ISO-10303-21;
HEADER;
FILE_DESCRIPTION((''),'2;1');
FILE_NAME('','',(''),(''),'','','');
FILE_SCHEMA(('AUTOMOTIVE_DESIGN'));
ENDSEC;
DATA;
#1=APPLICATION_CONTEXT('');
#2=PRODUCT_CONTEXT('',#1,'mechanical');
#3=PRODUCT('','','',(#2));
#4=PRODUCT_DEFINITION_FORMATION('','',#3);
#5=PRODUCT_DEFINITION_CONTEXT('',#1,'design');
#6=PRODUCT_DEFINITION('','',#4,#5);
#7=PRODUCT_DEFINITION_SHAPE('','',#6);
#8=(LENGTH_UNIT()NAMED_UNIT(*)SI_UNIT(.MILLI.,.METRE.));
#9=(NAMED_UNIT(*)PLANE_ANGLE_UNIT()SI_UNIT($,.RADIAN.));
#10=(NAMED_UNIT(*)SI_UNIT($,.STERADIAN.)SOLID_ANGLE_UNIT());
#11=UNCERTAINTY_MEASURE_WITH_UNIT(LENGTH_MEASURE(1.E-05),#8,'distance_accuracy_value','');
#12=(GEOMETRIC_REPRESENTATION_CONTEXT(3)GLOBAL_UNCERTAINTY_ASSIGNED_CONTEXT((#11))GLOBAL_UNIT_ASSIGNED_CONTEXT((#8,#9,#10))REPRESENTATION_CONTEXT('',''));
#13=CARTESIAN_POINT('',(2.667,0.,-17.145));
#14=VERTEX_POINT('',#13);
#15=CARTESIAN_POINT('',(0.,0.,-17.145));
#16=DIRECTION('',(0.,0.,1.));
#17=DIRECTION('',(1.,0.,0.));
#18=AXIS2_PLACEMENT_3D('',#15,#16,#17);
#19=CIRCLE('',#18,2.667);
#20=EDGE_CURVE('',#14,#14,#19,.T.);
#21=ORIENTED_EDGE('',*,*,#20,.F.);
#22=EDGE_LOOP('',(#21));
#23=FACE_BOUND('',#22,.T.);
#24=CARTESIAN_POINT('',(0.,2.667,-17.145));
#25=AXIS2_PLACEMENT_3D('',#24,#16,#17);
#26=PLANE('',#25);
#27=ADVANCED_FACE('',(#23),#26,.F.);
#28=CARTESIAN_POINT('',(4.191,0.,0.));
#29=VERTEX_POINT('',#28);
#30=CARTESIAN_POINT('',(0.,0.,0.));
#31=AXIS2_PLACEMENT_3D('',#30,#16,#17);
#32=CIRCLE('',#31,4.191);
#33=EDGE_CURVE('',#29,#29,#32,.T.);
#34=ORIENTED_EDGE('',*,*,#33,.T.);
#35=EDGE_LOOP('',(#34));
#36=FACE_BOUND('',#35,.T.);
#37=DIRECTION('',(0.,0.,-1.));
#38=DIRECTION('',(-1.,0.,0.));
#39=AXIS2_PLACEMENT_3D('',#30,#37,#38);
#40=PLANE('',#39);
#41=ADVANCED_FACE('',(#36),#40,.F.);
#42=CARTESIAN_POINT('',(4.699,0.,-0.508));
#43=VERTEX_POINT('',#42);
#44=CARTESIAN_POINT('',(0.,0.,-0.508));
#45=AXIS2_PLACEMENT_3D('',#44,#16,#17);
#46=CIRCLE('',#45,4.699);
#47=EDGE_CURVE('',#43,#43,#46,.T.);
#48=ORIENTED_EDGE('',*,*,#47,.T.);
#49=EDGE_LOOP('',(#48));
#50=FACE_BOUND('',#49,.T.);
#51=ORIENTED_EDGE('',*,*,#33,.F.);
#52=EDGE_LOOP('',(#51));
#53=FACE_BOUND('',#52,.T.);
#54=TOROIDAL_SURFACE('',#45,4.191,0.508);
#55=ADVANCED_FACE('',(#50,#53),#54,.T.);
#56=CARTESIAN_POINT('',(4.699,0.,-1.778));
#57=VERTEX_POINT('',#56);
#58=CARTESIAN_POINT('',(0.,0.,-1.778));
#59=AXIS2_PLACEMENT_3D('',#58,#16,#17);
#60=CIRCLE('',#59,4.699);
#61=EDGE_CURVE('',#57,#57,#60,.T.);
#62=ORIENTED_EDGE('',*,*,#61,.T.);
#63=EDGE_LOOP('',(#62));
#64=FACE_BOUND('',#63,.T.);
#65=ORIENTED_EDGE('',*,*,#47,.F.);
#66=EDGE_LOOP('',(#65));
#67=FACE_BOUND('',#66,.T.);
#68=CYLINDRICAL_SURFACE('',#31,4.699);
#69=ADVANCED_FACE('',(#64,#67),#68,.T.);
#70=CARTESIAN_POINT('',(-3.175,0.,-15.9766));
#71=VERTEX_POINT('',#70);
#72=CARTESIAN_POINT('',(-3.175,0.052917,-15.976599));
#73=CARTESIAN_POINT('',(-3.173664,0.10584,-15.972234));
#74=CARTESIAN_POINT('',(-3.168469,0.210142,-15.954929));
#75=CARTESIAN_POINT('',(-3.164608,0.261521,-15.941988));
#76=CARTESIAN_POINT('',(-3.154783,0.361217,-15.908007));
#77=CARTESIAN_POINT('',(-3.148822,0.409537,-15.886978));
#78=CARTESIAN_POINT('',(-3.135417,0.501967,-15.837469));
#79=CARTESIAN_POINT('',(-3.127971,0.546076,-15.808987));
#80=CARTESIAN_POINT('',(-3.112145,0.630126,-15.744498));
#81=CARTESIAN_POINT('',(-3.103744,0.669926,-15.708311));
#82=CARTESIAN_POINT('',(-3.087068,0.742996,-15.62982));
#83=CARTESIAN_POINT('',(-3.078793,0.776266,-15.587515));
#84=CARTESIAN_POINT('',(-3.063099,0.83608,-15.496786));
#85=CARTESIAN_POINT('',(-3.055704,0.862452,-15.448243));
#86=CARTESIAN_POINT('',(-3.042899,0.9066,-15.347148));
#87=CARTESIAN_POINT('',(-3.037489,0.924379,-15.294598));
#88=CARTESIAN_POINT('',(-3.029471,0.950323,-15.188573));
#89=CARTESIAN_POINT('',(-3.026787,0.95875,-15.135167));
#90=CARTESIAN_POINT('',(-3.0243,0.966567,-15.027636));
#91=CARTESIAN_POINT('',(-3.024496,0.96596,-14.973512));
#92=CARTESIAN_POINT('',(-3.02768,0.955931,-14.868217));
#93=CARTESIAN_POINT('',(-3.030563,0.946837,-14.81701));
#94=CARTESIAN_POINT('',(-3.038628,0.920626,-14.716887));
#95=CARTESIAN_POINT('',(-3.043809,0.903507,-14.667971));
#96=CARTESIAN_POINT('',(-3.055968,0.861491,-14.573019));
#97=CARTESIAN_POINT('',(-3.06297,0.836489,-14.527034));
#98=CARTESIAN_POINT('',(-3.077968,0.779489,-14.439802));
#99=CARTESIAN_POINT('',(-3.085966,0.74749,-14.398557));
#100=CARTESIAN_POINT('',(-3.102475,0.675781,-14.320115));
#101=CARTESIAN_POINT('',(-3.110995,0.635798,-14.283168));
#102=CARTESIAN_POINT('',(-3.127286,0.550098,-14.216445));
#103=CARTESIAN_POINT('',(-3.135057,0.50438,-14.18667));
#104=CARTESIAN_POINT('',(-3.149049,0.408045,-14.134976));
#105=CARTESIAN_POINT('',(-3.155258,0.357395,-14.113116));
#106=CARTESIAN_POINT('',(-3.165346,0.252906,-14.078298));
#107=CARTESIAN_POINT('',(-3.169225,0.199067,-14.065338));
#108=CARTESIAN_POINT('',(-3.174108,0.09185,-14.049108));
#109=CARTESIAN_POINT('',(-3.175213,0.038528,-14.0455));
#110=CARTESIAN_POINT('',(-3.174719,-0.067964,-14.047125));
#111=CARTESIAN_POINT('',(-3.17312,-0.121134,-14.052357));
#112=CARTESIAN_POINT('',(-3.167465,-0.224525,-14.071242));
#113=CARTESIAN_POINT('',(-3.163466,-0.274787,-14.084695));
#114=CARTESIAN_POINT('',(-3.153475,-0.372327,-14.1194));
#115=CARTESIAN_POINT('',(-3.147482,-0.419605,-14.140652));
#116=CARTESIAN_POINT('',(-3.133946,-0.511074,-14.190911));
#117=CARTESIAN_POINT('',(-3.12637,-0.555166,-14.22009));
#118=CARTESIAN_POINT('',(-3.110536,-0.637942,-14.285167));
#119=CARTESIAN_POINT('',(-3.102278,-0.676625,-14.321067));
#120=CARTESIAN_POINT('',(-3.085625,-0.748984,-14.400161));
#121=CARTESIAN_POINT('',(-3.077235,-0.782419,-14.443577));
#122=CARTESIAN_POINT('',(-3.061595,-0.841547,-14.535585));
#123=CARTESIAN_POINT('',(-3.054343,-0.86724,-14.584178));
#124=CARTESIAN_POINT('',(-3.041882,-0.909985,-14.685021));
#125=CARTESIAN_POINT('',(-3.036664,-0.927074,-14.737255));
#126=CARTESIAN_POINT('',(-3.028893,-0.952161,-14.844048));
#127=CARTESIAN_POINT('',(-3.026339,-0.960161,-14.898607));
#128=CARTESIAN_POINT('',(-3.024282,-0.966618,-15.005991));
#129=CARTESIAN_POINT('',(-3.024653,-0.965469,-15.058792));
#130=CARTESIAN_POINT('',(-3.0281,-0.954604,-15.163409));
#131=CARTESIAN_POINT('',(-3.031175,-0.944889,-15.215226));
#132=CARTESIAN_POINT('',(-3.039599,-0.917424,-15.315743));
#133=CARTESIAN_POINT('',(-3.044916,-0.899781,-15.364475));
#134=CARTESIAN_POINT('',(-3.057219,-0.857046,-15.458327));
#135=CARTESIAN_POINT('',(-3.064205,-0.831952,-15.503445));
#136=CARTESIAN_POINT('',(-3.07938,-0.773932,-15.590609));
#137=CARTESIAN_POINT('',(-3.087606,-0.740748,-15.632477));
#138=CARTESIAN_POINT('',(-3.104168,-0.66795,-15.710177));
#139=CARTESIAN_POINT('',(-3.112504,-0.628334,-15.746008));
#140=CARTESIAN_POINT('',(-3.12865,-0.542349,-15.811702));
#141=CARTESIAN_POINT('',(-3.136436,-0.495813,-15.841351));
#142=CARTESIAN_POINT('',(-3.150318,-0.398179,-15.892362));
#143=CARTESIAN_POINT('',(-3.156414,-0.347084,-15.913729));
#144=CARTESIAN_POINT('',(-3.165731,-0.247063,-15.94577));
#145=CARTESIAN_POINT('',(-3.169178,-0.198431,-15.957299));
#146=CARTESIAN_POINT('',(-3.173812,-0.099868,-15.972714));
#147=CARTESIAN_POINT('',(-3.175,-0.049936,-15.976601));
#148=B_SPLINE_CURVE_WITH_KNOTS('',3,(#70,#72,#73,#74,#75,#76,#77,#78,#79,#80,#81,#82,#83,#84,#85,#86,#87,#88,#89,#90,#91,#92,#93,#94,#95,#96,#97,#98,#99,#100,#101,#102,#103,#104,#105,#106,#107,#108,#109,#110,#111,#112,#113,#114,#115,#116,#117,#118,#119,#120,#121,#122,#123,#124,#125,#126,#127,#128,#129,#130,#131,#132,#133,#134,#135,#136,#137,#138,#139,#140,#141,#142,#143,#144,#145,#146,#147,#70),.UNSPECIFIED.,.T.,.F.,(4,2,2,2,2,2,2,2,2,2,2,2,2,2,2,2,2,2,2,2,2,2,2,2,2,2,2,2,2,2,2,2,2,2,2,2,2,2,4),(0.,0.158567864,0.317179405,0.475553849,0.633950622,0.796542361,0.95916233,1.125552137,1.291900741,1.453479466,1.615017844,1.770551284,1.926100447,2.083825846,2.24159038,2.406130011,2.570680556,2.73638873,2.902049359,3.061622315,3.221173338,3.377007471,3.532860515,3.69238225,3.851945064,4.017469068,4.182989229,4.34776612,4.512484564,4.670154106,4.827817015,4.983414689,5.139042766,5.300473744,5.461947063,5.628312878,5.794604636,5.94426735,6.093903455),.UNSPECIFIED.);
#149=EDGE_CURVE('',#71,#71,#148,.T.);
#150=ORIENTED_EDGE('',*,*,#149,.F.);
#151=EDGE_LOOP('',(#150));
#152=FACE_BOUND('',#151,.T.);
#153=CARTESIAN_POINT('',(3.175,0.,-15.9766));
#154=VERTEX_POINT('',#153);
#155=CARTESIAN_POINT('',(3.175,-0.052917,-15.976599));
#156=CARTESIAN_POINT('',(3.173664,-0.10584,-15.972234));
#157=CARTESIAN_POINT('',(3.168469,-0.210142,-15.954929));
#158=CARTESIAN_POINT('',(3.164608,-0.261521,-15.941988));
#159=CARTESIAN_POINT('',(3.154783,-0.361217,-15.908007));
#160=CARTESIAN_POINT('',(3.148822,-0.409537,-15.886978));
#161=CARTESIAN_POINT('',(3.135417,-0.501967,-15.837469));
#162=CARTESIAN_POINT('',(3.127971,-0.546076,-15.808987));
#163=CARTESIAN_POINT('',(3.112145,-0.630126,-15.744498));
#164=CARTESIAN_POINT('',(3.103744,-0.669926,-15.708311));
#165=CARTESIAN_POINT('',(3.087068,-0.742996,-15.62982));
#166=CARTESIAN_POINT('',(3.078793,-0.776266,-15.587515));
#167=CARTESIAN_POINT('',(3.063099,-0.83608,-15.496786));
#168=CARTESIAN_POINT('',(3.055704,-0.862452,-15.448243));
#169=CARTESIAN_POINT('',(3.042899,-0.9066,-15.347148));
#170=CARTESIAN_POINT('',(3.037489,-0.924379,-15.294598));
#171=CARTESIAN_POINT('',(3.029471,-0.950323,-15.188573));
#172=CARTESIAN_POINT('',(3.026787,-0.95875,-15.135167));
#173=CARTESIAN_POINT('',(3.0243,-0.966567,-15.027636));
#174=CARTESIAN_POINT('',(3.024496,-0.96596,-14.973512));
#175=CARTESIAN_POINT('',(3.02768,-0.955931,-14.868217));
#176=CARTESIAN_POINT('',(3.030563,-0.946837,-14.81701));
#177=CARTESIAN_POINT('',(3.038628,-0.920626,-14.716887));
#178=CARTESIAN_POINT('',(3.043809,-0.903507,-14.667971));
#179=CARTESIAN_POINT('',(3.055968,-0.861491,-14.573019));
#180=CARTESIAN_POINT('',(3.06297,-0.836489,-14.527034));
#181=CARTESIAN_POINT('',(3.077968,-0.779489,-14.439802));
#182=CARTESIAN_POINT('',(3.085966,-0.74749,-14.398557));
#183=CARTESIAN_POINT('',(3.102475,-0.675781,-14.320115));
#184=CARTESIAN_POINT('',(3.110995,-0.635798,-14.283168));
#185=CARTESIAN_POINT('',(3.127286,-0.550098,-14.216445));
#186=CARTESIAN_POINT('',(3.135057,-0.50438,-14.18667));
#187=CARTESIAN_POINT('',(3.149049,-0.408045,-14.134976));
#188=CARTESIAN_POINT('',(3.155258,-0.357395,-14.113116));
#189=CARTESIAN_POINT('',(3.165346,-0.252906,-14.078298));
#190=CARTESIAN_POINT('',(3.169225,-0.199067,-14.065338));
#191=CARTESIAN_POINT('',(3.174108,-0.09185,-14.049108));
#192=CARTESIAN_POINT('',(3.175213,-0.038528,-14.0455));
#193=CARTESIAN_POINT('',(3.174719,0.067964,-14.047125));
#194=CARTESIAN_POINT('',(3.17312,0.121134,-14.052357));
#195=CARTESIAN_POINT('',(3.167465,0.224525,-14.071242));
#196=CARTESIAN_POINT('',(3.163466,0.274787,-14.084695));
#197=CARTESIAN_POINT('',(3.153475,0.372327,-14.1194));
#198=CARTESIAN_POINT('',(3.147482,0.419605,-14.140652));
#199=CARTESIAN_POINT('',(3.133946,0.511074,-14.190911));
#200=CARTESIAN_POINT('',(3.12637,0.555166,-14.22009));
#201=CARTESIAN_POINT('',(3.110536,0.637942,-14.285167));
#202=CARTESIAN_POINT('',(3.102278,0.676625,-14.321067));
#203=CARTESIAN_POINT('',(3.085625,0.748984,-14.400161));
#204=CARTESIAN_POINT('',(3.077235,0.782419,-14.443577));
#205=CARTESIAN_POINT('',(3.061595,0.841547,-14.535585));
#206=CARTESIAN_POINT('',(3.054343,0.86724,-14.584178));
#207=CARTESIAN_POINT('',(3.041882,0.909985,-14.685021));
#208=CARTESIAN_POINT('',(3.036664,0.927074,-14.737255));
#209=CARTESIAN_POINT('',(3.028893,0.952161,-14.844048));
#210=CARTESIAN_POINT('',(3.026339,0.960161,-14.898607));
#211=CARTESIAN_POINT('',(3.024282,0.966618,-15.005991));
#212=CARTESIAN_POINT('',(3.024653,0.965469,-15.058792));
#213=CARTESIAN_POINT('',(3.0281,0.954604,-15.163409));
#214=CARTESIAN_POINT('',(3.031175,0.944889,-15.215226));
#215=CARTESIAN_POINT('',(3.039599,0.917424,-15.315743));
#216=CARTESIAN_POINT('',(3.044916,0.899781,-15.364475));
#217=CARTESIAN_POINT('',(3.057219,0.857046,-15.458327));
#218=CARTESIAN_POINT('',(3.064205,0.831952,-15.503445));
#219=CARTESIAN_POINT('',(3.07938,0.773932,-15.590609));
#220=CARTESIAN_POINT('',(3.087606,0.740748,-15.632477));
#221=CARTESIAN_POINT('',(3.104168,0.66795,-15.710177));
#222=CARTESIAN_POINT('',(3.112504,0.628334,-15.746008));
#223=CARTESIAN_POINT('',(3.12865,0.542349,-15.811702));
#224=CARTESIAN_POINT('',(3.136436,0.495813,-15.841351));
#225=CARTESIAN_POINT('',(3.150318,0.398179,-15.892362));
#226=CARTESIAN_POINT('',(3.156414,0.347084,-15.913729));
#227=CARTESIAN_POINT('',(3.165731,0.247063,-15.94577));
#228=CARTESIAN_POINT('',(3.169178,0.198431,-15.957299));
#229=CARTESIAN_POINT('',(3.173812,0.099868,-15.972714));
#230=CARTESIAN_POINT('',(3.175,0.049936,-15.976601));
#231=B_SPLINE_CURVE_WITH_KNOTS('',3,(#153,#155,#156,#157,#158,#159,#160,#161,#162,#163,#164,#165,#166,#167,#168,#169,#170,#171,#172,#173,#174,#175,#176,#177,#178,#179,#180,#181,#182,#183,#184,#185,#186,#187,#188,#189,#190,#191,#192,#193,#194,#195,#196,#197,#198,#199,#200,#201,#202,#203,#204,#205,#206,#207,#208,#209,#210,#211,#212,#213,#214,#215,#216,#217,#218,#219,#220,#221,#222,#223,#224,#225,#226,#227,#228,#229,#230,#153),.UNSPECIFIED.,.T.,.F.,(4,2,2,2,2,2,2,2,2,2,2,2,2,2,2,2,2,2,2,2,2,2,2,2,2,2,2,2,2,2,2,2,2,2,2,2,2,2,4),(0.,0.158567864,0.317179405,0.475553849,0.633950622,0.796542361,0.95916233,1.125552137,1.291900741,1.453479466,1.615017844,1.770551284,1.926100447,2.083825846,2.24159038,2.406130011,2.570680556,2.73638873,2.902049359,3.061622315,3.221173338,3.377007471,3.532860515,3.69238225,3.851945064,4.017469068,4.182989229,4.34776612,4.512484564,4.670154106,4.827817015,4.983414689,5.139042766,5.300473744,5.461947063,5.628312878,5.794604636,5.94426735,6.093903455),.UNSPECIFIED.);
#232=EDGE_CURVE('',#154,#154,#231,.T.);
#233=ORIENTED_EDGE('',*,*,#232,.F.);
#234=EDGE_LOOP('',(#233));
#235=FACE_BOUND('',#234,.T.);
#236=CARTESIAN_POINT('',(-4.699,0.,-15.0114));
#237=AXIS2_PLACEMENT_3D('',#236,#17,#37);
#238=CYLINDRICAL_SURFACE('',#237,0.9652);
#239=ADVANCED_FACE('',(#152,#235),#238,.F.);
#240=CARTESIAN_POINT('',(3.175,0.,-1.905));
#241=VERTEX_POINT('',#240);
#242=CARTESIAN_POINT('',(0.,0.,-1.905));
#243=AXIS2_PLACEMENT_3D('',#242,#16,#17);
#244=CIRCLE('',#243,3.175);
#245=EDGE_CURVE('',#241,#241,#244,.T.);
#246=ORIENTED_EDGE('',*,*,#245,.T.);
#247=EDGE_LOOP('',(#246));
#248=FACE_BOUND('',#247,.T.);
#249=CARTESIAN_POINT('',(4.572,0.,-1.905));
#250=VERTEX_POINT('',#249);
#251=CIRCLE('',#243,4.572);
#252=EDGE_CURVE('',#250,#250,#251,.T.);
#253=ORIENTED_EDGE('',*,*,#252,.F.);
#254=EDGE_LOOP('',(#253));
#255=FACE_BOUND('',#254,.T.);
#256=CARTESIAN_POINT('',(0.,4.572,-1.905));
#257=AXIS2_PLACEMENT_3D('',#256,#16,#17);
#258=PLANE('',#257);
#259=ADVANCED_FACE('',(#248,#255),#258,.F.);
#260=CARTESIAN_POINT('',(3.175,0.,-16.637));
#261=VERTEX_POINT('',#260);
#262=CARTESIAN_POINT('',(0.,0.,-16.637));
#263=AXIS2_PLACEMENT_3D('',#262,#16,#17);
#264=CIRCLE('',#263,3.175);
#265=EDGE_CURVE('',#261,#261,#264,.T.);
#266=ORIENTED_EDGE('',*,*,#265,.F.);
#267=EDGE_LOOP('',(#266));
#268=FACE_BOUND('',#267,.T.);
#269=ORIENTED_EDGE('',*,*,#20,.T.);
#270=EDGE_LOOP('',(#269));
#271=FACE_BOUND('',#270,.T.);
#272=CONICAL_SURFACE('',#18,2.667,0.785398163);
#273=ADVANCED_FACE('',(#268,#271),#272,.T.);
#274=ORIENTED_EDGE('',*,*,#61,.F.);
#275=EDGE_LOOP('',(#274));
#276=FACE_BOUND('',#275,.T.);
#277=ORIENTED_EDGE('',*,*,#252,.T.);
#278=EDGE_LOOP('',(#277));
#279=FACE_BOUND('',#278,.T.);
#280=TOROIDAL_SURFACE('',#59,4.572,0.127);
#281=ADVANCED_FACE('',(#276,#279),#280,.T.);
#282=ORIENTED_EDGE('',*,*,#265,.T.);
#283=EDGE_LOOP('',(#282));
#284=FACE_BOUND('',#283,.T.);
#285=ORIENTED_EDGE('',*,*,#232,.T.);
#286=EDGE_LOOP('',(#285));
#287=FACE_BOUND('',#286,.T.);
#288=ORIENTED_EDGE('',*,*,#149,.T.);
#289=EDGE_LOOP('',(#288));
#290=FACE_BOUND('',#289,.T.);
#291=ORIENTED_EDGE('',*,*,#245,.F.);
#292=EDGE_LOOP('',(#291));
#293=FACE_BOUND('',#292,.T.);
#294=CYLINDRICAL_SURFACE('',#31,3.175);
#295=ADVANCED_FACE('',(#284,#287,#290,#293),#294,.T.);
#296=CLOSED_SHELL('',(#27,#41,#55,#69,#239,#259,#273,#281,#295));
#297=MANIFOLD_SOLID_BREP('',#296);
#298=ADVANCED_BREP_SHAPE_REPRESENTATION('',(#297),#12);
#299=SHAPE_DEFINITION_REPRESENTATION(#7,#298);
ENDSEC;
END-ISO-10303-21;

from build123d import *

# Parameters (mm, degrees)
SKETCH2_R           = 0.9652
EXTRUDE1_DEPTH      = 5.699
EXTRUDE1_DEPTH_BACK = 5.6990001


with BuildPart() as part:
    # Sketch1 → Revolve Base (revolve)
    with BuildSketch(Plane(origin=(0, 0, 0), x_dir=(0, 0, -1), z_dir=(1, 0, 0))):
        with BuildLine():
            Line((0, 0), (0, 4.191))
            ThreePointArc((0, 4.191), (0.148789755, 4.550210245), (0.508, 4.699))
            Line((0.508, 4.699), (1.778, 4.699))
            ThreePointArc((1.778, 4.699), (1.867802561, 4.661802561), (1.905, 4.572))
            Line((1.905, 4.572), (1.905, 3.175))
            Line((1.905, 3.175), (16.637, 3.175))
            Line((16.637, 3.175), (17.145, 2.667))
            Line((17.145, 2.667), (17.145, 0))
            Line((17.145, 0), (0, 0))
        make_face()
    revolve(axis=Axis((0, 0, 0), (0, 0, -1)))

    # Sketch2 → Extrude1 (cut, two sides)
    with BuildSketch(Plane(origin=(0, 0, 0), x_dir=(0, 0, -1), z_dir=(1, 0, 0))) as extrude1_sk:
        with Locations((15.0114, 0)):
            Circle(SKETCH2_R)
    extrude(amount=EXTRUDE1_DEPTH, mode=Mode.SUBTRACT)
    extrude(extrude1_sk.sketch, amount=-EXTRUDE1_DEPTH_BACK, mode=Mode.SUBTRACT)


solid = part.part
